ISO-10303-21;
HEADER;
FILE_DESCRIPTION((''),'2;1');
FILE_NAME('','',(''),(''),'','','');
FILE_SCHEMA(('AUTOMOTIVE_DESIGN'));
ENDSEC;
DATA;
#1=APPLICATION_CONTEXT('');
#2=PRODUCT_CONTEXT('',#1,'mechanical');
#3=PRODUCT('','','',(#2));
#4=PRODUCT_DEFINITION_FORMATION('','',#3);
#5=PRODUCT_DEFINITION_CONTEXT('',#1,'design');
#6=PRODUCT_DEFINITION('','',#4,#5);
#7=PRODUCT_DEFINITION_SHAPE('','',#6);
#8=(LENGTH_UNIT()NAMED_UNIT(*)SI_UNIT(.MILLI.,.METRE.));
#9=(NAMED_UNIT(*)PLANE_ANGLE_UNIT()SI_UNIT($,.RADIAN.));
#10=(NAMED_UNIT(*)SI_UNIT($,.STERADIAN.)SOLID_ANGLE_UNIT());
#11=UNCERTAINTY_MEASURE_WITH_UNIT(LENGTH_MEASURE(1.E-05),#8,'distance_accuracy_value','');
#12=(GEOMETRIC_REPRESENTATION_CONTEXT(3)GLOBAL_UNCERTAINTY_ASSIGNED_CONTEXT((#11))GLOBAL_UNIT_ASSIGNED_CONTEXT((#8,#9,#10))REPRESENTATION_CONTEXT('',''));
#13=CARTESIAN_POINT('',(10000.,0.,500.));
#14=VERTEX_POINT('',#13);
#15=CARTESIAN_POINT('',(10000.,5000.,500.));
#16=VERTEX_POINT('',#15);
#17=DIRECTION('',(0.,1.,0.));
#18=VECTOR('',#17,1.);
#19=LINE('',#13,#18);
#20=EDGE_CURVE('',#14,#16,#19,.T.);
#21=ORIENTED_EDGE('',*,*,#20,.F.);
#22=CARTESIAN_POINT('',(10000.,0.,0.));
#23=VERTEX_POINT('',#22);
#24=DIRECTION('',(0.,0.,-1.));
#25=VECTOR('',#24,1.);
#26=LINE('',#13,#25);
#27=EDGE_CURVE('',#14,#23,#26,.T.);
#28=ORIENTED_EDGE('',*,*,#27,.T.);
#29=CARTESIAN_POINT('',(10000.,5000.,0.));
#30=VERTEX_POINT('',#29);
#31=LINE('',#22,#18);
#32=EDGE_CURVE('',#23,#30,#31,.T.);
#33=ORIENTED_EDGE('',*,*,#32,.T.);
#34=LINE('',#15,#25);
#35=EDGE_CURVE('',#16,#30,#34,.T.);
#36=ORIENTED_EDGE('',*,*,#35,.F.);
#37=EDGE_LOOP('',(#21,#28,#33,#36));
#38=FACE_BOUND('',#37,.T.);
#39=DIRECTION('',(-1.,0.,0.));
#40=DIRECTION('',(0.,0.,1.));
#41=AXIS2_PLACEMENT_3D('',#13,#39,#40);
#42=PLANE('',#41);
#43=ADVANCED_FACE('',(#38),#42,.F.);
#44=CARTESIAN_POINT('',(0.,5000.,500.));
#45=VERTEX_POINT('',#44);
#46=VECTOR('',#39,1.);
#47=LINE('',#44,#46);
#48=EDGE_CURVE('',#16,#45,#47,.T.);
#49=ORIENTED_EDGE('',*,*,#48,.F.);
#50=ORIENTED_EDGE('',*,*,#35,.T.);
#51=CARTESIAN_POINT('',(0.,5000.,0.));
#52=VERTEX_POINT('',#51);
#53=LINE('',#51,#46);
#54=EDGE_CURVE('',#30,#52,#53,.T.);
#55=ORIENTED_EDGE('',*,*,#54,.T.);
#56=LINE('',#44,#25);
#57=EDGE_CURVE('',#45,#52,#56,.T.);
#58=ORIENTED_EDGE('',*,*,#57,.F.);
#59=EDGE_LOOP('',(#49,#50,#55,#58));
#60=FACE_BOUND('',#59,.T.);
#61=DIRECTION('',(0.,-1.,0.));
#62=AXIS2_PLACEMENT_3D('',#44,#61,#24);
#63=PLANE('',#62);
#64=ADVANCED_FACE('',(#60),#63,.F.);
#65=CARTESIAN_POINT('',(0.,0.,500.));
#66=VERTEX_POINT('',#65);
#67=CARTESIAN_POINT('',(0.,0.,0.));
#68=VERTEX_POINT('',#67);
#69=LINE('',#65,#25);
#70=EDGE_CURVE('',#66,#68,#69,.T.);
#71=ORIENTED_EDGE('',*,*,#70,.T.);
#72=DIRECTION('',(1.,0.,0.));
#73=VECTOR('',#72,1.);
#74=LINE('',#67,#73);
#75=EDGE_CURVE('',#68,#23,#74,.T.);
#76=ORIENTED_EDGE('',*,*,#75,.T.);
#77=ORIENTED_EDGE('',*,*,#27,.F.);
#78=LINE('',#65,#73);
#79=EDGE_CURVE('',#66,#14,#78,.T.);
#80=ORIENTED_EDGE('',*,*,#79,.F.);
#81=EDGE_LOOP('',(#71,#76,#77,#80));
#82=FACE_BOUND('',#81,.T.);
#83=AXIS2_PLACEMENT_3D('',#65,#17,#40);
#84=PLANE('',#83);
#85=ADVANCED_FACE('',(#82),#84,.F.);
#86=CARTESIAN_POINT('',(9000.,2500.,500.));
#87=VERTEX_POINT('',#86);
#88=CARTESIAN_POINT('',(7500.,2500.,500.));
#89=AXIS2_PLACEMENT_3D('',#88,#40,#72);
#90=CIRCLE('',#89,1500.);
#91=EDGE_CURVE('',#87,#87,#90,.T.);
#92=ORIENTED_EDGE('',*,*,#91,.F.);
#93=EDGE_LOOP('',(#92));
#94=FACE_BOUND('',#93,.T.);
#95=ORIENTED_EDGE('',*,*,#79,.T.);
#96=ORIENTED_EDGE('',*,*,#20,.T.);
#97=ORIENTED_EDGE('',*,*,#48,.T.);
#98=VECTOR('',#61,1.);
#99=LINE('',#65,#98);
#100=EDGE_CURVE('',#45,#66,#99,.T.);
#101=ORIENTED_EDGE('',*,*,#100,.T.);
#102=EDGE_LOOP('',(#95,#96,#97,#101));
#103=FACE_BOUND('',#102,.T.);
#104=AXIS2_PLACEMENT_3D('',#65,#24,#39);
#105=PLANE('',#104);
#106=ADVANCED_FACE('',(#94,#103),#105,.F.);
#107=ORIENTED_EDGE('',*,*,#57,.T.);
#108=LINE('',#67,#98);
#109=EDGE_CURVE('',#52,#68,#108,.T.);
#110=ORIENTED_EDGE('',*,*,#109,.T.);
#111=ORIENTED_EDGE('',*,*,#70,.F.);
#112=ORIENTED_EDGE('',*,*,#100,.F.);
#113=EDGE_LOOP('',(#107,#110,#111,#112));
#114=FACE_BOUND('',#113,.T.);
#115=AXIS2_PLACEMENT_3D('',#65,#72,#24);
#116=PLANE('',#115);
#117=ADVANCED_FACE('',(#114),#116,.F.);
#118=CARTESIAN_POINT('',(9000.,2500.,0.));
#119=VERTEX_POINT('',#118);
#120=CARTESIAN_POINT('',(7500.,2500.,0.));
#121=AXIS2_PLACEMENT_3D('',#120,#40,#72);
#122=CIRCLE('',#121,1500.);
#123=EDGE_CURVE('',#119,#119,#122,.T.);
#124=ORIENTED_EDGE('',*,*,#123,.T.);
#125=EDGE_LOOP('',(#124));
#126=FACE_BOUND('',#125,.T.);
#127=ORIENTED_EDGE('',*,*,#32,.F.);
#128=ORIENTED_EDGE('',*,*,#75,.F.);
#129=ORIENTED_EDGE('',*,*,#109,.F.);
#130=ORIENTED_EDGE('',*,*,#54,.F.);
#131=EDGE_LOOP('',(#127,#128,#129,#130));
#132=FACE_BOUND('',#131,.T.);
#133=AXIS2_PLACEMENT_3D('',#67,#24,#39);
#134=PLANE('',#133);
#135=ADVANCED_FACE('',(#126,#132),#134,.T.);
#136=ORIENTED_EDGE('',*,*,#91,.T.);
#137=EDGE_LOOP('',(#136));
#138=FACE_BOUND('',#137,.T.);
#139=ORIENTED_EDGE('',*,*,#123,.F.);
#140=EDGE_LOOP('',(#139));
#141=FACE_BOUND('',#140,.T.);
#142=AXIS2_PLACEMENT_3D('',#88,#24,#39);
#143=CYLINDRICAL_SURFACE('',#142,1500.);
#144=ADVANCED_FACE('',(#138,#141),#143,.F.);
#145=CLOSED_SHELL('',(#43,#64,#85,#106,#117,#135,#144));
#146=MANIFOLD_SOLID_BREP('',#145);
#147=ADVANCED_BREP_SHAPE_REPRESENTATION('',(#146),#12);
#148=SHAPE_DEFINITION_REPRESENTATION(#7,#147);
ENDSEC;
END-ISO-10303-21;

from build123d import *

# Parameters (mm, degrees)
SKETCH1_W           = 10000
SKETCH1_H           = 5000
SKETCH1_R           = 1500
BOSS_EXTRUDE1_DEPTH = 500


with BuildPart() as part:
    # Sketch1 → Boss-Extrude1 (new body)
    with BuildSketch(Plane.XY):
        with Locations((5000, 2500)):
            Rectangle(SKETCH1_W, SKETCH1_H)
        with Locations((7500, 2500)):
            Circle(SKETCH1_R, mode=Mode.SUBTRACT)
    extrude(amount=BOSS_EXTRUDE1_DEPTH)


solid = part.part
